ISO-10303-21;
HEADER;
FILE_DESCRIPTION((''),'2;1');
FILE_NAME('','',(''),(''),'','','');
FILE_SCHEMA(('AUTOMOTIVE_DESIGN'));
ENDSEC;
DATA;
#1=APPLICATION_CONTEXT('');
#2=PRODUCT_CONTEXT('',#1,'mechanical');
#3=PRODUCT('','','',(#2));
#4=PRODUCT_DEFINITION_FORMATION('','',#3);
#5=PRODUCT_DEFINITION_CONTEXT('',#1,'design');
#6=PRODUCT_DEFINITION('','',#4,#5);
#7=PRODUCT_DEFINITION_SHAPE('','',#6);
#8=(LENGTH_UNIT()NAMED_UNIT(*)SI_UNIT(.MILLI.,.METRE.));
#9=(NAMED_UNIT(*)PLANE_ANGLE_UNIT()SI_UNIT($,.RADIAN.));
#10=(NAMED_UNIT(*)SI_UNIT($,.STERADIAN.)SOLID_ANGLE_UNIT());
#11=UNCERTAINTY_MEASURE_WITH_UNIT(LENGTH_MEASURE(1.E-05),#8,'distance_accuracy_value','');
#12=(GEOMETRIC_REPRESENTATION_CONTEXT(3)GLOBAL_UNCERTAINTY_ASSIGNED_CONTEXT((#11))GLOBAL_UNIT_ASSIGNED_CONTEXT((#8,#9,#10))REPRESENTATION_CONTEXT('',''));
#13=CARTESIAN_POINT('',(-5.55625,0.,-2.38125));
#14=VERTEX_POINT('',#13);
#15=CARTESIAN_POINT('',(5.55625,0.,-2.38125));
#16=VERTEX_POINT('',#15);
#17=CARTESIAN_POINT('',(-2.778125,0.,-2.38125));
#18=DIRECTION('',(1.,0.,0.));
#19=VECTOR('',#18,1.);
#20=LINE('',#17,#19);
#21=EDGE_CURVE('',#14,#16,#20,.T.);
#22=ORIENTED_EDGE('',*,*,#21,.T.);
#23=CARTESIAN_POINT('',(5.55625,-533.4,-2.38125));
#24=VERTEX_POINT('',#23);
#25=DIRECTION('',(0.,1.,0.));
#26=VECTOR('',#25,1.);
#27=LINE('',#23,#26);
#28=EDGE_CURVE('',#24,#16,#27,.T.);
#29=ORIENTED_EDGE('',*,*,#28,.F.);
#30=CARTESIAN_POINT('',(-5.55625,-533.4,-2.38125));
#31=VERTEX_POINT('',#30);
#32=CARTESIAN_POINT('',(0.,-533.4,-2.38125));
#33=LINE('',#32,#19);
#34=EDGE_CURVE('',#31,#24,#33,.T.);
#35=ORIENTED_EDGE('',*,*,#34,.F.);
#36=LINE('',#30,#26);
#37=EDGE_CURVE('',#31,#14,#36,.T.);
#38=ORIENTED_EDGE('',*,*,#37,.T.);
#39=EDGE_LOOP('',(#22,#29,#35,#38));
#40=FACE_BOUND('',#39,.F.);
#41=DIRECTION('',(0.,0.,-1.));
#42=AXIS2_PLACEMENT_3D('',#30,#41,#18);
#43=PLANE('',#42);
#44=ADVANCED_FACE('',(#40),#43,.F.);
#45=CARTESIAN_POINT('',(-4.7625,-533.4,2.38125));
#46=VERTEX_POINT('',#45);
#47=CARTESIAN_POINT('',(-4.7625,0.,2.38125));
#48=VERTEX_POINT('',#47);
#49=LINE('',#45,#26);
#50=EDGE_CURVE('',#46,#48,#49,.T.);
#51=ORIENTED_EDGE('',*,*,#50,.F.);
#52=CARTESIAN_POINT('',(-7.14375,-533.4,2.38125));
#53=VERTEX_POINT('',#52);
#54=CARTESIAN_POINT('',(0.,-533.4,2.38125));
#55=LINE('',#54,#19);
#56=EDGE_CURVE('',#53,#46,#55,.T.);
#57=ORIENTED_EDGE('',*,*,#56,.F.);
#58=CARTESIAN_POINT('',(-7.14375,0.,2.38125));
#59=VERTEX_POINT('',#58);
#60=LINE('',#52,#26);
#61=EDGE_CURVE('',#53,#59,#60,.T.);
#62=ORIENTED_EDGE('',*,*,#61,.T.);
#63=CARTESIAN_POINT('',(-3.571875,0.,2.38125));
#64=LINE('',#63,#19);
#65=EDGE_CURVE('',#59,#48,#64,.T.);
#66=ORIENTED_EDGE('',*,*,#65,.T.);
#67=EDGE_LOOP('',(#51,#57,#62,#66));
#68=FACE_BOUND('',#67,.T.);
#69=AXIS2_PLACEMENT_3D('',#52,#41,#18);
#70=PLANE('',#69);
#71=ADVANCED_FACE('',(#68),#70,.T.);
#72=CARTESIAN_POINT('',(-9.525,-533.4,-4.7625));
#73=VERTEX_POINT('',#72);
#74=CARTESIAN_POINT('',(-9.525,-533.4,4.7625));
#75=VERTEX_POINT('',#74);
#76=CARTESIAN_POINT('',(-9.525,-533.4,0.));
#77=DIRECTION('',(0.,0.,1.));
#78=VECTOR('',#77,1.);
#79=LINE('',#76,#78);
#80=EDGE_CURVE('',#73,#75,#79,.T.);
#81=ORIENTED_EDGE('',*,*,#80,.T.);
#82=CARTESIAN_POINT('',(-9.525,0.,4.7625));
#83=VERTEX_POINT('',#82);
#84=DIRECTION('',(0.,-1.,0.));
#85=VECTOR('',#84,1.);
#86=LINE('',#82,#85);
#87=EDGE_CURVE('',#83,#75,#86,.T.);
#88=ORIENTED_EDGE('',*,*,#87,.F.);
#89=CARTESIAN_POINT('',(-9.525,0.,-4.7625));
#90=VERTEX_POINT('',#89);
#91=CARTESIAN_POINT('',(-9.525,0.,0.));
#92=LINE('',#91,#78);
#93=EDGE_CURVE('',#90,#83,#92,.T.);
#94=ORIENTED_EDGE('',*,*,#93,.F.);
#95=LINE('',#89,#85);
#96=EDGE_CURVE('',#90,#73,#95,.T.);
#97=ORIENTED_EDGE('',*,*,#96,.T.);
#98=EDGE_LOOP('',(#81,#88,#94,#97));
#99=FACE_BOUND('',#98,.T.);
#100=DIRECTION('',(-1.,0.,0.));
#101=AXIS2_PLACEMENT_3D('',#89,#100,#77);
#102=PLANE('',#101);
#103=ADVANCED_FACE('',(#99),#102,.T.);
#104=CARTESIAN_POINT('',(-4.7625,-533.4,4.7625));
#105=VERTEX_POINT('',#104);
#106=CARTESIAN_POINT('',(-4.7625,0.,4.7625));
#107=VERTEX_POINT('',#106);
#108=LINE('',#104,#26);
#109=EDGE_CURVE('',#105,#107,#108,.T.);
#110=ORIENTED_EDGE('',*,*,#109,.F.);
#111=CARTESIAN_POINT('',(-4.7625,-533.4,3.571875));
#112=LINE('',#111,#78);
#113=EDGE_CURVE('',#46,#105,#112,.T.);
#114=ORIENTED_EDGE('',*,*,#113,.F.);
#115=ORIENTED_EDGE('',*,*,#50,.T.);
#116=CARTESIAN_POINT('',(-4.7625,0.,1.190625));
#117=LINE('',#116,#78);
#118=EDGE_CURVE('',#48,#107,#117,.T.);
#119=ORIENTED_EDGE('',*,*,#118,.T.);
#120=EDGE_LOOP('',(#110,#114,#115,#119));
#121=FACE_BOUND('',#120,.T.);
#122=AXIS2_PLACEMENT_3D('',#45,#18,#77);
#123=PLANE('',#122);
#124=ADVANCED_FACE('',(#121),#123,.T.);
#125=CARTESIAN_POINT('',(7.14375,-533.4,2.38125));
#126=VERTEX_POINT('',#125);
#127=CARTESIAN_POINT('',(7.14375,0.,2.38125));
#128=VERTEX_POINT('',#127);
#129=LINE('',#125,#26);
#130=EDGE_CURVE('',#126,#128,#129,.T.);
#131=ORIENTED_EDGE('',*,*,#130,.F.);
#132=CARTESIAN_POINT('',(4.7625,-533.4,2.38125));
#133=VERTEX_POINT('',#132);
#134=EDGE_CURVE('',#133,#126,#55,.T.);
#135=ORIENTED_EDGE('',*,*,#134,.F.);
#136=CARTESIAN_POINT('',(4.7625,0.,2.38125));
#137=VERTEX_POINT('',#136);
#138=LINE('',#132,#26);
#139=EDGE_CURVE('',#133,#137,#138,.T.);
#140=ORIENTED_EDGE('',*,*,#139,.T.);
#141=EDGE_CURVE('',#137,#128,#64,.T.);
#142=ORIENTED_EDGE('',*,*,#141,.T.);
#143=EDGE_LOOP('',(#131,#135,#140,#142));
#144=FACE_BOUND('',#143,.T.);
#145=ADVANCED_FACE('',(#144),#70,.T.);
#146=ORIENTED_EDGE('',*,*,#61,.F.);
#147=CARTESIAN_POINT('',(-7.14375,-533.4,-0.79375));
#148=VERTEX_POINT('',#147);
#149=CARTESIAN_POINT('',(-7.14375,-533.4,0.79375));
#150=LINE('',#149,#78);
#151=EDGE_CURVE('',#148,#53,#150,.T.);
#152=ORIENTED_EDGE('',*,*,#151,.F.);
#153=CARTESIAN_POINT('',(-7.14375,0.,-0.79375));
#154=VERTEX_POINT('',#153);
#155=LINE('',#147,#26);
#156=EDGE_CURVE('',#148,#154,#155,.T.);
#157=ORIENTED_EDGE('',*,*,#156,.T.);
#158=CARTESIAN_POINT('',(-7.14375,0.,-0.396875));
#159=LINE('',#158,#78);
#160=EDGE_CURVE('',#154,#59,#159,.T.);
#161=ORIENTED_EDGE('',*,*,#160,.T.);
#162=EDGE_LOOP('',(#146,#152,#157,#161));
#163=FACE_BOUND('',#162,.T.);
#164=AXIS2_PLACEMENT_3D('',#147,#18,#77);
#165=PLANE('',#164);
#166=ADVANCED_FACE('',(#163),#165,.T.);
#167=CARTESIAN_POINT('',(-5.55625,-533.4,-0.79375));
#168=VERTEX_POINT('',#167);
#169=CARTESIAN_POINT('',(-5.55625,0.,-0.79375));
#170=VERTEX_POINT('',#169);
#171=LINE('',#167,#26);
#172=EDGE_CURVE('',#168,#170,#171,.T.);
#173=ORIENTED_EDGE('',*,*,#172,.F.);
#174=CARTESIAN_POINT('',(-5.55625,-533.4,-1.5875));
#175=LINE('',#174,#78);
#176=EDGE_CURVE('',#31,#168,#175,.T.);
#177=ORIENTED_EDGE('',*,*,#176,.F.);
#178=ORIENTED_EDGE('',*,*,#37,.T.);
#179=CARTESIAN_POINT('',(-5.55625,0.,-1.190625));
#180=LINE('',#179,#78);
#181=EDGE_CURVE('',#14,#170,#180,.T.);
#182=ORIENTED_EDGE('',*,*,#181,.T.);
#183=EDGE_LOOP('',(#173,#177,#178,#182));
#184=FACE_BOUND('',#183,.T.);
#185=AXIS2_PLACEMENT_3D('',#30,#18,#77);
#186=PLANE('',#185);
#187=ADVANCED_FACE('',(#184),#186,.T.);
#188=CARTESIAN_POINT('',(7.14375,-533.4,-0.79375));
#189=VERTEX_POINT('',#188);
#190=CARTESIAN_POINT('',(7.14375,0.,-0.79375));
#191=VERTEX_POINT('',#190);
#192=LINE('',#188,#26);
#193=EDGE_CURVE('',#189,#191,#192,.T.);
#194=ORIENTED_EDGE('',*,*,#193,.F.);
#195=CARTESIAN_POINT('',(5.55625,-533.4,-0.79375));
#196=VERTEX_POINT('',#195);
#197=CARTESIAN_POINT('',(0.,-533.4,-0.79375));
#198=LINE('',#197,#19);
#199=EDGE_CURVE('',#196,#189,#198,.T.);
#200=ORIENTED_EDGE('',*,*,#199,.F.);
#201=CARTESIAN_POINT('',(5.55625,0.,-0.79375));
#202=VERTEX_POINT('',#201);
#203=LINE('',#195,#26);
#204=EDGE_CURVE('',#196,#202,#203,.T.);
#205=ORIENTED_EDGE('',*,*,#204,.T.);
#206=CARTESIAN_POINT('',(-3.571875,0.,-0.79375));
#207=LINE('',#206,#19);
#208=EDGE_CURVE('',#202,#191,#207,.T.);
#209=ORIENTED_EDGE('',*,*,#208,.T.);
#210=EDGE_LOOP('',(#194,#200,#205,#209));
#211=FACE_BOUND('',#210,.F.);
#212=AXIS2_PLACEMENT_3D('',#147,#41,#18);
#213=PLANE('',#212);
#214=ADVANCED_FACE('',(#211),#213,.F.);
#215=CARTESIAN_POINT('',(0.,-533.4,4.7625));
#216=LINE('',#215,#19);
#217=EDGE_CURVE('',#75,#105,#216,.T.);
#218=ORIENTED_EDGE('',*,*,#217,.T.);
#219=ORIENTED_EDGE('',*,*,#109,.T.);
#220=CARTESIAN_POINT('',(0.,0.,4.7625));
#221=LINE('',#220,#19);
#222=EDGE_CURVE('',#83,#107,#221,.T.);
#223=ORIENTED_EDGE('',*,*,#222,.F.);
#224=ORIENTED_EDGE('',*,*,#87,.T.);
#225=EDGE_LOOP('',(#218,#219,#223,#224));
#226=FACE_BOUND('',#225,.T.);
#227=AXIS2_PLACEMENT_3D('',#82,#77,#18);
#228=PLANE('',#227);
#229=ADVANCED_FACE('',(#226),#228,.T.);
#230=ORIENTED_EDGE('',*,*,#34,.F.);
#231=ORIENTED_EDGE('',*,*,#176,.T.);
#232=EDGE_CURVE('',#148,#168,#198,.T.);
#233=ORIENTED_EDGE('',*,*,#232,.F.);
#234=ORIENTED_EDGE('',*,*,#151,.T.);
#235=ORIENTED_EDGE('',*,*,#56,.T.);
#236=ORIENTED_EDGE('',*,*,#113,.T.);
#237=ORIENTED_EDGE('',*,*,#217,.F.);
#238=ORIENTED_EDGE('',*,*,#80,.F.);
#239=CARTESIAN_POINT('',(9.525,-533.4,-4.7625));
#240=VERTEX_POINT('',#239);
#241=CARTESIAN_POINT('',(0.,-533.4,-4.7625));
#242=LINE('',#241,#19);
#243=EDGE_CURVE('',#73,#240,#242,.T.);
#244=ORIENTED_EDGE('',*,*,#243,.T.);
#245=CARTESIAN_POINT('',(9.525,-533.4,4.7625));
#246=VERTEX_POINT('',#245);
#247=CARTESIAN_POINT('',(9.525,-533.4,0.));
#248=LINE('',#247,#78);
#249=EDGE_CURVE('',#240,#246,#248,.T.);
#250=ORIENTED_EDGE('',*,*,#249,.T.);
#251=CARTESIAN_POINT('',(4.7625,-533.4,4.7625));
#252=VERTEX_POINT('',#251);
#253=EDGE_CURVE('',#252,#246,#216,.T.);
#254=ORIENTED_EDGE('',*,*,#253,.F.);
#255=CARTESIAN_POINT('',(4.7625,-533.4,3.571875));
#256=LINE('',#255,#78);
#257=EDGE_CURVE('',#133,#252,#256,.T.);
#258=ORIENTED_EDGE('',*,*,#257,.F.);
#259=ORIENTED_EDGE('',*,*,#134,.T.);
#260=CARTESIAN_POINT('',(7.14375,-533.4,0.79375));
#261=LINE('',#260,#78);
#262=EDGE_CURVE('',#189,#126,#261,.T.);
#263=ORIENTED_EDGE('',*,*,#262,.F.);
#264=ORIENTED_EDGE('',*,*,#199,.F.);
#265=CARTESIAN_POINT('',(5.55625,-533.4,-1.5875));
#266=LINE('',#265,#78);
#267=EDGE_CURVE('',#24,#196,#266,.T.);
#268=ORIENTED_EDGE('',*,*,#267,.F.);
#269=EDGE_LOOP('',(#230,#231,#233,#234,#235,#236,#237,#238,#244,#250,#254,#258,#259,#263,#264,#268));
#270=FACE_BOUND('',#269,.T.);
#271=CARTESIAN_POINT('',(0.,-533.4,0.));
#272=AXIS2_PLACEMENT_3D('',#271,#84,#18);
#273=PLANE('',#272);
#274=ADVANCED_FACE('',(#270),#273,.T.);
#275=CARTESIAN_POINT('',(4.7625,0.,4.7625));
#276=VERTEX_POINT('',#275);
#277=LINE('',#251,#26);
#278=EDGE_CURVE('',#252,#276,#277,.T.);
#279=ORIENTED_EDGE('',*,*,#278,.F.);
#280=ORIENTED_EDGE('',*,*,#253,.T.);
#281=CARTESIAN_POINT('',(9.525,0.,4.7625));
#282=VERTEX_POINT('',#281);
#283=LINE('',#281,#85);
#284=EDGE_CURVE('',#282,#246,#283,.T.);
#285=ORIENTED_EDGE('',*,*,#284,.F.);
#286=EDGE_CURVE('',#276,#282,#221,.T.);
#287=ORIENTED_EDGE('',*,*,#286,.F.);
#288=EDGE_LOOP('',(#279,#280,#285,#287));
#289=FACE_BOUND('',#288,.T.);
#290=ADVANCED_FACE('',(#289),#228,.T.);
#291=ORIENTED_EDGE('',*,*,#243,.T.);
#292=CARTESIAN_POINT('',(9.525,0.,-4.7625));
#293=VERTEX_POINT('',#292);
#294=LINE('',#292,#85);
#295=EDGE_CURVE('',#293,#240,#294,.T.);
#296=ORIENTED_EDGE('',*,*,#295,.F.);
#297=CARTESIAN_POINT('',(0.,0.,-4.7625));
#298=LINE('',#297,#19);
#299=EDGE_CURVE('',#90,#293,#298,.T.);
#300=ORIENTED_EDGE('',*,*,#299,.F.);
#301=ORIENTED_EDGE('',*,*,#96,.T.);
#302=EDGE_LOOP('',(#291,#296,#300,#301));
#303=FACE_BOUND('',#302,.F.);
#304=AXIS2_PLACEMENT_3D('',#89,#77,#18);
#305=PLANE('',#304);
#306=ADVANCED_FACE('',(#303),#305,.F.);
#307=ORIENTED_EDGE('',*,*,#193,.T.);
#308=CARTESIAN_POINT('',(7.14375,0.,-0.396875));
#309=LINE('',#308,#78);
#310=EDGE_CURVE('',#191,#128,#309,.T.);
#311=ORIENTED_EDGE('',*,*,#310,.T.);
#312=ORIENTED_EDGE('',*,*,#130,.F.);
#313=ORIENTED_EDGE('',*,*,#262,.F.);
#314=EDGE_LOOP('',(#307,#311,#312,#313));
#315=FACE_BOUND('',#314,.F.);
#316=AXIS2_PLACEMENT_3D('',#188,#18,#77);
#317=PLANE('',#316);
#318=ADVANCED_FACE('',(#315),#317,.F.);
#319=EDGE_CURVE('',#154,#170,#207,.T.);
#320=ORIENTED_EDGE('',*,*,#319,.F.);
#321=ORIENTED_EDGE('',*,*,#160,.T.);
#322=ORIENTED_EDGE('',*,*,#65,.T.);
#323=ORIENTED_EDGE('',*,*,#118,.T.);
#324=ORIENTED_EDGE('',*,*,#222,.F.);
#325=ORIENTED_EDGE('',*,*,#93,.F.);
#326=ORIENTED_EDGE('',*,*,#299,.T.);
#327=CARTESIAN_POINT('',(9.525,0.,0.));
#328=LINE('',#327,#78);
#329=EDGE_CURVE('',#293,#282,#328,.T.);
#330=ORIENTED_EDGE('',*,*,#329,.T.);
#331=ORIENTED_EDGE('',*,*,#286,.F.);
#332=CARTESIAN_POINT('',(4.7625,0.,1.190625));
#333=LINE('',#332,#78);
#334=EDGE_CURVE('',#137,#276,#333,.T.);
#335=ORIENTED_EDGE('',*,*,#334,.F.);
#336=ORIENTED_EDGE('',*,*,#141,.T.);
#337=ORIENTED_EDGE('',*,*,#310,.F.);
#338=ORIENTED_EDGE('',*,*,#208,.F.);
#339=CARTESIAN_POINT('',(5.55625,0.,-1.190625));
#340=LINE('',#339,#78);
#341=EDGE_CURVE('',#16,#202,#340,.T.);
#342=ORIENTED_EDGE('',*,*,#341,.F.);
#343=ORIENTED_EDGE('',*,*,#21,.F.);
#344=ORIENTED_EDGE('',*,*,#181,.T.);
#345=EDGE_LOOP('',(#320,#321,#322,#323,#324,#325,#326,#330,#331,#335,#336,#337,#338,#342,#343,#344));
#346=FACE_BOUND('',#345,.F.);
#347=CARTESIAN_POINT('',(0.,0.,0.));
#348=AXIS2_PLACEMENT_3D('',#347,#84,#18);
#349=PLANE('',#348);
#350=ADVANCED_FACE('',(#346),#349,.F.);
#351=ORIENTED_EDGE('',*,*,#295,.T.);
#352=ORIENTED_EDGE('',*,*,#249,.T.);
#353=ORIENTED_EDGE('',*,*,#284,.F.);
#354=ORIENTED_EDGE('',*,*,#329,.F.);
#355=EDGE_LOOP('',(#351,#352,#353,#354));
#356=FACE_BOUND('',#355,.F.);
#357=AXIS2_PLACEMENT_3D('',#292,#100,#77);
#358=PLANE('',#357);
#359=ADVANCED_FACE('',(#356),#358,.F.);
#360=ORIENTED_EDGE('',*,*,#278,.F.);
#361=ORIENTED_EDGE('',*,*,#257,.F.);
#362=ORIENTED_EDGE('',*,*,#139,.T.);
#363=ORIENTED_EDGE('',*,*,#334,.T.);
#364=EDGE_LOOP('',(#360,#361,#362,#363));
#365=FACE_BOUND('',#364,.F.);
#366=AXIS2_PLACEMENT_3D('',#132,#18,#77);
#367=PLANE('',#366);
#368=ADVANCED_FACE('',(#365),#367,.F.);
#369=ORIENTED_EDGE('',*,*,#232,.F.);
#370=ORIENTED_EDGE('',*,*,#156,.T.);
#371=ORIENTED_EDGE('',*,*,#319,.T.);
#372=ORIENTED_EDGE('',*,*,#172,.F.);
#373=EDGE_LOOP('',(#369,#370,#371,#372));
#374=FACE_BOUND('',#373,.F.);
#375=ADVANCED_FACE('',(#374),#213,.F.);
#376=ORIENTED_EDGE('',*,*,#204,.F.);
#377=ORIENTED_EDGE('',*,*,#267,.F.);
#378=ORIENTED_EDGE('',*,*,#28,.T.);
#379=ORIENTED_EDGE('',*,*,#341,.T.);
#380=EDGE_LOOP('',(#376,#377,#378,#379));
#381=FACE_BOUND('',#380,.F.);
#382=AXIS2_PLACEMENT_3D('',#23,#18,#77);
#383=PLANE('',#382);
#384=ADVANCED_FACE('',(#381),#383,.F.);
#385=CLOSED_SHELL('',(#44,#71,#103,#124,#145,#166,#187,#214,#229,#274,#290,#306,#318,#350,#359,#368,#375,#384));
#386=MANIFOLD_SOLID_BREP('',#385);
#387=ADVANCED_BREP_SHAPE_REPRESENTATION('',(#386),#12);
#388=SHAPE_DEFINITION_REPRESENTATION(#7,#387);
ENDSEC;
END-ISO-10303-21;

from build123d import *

# Parameters (mm, degrees)
SKETCH_W        = 19.05
SKETCH_H        = 9.525
PAD_DEPTH       = 533.4
SKETCH001_W     = 9.525
SKETCH001_H     = 2.38125
POCKET_DEPTH    = 533.401
SKETCH002_W     = 14.2875
SKETCH002_H     = 3.175
POCKET001_DEPTH = 533.401
SKETCH003_W     = 11.1125
SKETCH003_H     = 1.5875
POCKET002_DEPTH = 533.401


with BuildPart() as part:
    # Sketch → Pad (new body)
    with BuildSketch(Plane.XZ):
        Rectangle(SKETCH_W, SKETCH_H)
    extrude(amount=PAD_DEPTH)

    # Sketch001 (on Face6 of Pad) → Pocket (cut, through all)
    with BuildSketch(Plane.XZ.offset(533.4)):
        with Locations((0, 3.571875)):
            Rectangle(SKETCH001_W, SKETCH001_H)
    extrude(amount=-POCKET_DEPTH, mode=Mode.SUBTRACT)

    # Sketch002 (on Face5 of Pocket) → Pocket001 (cut, through all)
    with BuildSketch(Plane.XZ.offset(533.4)):
        with Locations((0, 0.79375)):
            Rectangle(SKETCH002_W, SKETCH002_H)
    extrude(amount=-POCKET001_DEPTH, mode=Mode.SUBTRACT)

    # Sketch003 (on Face5 of Pocket001) → Pocket002 (cut, through all)
    with BuildSketch(Plane.XZ.offset(533.4)):
        with Locations((0, -1.5875)):
            Rectangle(SKETCH003_W, SKETCH003_H)
    extrude(amount=-POCKET002_DEPTH, mode=Mode.SUBTRACT)


solid = part.part
